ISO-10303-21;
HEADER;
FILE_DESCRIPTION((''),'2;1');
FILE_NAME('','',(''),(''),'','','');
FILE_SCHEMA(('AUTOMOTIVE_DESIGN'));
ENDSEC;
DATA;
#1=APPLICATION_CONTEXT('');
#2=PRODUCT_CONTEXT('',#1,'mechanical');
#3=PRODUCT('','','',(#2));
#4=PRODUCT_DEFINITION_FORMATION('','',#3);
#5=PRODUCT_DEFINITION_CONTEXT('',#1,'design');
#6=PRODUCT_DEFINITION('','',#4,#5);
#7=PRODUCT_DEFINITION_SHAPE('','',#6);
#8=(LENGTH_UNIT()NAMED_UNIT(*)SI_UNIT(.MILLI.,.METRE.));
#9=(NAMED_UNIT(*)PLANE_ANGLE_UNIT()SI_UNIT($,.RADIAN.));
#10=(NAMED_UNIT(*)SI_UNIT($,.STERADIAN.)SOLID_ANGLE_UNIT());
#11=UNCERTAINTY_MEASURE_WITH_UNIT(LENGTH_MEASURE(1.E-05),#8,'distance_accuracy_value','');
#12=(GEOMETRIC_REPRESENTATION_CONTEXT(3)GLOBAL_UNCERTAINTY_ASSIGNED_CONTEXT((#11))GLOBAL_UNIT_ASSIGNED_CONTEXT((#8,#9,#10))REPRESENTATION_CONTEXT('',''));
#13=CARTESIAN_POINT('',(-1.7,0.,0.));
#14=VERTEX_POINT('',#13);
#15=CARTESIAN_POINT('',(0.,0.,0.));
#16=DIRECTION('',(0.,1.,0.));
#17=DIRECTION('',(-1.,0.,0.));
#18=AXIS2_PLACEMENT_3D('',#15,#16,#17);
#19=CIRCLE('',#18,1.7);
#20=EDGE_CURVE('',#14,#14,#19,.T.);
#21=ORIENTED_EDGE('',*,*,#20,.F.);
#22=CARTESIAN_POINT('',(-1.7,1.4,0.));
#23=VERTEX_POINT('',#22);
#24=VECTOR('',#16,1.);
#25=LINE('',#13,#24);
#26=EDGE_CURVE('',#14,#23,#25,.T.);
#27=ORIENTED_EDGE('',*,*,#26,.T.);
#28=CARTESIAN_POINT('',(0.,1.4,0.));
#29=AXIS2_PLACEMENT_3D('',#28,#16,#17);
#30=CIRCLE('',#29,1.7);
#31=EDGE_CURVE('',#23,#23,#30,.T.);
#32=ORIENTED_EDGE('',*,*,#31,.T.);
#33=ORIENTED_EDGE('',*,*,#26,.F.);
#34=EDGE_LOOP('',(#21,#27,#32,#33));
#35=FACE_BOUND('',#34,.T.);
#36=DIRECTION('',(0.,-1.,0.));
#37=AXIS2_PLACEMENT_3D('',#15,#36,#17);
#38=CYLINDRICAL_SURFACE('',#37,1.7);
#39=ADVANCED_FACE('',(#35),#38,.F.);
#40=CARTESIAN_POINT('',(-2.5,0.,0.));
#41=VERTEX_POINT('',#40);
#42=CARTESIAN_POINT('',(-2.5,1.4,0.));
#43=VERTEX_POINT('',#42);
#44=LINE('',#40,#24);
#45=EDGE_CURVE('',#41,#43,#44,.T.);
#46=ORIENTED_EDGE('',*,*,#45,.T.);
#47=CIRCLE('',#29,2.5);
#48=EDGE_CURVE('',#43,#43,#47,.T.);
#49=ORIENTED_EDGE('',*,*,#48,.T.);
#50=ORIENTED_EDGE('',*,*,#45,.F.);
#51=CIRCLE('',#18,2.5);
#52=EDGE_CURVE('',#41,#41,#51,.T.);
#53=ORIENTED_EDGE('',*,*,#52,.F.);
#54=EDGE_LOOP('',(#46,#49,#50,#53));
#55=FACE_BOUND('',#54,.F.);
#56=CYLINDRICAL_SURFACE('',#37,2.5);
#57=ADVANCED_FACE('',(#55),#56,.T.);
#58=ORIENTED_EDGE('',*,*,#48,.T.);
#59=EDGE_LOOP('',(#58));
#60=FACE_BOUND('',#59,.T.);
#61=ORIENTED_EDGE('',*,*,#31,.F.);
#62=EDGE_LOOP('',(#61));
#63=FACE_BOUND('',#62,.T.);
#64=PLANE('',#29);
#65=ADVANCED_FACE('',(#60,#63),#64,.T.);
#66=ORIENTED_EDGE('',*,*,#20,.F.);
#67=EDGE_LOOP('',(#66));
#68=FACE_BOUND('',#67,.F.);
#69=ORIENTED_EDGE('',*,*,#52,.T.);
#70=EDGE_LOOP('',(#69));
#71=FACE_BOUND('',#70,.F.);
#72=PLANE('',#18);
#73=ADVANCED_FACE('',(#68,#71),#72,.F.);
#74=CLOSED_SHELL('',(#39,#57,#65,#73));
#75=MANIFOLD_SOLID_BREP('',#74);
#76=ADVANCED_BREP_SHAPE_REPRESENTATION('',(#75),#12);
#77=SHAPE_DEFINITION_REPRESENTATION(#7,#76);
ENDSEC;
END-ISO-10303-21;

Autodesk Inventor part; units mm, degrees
ref_plane "YZ Plane" through (0, 0, 0) normal (1, 0, 0) x (0, 1, 0)
ref_plane "XZ Plane" through (0, 0, 0) normal (0, 1, 0) x (-1, 0, 0)
ref_plane "XY Plane" through (0, 0, 0) normal (0, 0, 1) x (1, 0, 0)
sketch "Boceto1" plane through (0, 0, 0) normal (0, 1, 0) x (-1, 0, 0)
  circle A0 centre (0, 0) radius 2.5
  circle A1 centre (0, 0) radius 1.7
  dimension "d0" = 3.4
  dimension "d1" = 0.8
extrude "Extrusión1" add sketch "Boceto1" along normal blind 1.4
properties part number "small separator"
